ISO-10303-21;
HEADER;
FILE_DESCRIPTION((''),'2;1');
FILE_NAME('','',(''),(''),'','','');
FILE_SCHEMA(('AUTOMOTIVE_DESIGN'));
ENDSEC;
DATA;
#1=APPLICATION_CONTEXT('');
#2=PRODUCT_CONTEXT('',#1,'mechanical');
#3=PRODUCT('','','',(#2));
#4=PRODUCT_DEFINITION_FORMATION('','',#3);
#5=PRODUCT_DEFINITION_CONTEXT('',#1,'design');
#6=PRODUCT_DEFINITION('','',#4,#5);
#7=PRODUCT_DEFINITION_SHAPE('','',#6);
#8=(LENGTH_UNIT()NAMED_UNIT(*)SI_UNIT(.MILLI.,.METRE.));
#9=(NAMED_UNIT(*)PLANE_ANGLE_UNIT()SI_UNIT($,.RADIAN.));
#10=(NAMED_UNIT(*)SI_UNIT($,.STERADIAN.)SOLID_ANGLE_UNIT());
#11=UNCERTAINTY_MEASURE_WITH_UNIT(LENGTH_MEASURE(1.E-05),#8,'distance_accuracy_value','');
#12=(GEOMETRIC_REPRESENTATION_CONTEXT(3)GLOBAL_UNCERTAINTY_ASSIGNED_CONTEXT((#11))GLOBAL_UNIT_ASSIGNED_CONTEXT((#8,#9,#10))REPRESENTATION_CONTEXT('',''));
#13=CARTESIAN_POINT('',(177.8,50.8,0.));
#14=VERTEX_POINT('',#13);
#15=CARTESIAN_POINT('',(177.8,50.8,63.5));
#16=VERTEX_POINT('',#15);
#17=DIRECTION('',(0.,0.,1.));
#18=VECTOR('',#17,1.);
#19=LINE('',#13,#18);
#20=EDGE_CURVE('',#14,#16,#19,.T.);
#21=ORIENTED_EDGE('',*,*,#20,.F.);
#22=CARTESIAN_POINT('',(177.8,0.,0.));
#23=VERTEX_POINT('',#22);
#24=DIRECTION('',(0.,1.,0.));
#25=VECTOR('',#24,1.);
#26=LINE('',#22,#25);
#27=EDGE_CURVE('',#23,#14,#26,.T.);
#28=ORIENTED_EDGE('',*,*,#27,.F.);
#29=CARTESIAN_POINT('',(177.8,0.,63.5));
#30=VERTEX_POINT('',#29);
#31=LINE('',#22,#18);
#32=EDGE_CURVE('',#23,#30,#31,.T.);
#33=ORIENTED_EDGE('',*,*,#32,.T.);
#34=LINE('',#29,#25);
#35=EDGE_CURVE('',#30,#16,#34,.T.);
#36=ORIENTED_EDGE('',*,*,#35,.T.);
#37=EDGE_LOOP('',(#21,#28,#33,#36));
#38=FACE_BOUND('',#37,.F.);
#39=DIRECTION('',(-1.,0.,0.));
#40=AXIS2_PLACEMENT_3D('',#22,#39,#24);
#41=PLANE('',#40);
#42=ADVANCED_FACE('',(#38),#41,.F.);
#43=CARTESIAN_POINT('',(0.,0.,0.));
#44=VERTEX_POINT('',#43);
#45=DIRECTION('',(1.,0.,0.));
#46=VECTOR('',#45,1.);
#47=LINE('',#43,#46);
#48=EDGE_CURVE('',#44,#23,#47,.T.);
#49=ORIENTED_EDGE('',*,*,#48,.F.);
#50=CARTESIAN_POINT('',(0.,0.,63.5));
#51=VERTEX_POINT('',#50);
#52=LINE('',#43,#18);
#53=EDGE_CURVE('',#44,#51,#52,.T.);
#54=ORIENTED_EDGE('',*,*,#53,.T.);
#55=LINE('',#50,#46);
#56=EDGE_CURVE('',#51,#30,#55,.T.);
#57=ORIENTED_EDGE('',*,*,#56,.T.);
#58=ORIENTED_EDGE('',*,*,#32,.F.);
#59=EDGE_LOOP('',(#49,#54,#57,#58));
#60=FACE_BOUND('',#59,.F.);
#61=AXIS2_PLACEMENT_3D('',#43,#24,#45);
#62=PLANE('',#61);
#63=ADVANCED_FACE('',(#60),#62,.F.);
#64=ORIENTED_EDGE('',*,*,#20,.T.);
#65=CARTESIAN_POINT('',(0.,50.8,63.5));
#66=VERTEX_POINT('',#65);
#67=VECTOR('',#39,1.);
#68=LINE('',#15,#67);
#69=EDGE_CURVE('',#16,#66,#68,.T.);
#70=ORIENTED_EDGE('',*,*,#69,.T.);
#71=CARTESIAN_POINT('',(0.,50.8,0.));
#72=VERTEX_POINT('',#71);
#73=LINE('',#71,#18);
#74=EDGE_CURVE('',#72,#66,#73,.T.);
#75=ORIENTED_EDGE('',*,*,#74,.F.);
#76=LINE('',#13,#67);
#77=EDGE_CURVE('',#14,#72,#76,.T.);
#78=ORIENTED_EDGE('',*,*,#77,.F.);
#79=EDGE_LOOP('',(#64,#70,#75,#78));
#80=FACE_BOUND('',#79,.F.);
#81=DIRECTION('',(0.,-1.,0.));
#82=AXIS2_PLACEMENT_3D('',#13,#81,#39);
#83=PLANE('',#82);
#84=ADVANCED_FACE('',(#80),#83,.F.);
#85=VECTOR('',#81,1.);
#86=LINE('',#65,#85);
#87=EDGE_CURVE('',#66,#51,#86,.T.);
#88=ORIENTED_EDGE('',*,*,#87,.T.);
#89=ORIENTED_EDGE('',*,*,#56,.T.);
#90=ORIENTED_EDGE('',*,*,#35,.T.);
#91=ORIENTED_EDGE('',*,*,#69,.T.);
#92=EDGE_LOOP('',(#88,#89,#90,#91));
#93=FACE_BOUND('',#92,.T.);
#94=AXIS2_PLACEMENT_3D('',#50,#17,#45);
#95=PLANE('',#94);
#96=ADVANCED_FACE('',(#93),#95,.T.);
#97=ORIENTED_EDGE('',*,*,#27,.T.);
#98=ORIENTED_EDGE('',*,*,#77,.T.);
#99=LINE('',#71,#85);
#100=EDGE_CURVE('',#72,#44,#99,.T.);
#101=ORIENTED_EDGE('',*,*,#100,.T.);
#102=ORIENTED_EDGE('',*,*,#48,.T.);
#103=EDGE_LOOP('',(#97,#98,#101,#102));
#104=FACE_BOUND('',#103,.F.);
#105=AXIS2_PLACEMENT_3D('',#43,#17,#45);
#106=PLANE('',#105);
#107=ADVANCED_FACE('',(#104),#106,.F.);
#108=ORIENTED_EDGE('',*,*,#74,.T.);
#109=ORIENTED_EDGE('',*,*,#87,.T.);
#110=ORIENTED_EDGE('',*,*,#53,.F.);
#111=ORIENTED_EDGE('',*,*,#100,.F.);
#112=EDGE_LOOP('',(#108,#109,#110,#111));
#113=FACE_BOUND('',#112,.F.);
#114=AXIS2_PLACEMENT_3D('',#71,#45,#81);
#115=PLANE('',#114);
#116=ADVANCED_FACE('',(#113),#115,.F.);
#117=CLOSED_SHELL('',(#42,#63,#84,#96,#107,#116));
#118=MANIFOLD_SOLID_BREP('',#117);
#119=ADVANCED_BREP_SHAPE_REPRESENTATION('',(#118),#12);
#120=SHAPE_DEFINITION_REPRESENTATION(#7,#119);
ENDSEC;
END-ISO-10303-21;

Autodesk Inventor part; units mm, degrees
ref_plane "YZ Plane" through (0, 0, 0) normal (1, 0, 0) x (0, 1, 0)
ref_plane "XZ Plane" through (0, 0, 0) normal (0, 1, 0) x (-1, 0, 0)
ref_plane "XY Plane" through (0, 0, 0) normal (0, 0, 1) x (1, 0, 0)
sketch "Sketch1" plane through (0, 0, 0) normal (0, 0, 1) x (1, 0, 0)
  line L0 (0, 0) -> (177.8, 0)
  line L1 (177.8, 0) -> (177.8, 50.8)
  line L2 (177.8, 50.8) -> (0, 50.8)
  line L3 (0, 50.8) -> (0, 0)
  dimension "d0" = 177.8
  dimension "d1" = 50.8
extrude "Extrusion1" add sketch "Sketch1" along normal blind 63.5
properties part number "terminal block"
